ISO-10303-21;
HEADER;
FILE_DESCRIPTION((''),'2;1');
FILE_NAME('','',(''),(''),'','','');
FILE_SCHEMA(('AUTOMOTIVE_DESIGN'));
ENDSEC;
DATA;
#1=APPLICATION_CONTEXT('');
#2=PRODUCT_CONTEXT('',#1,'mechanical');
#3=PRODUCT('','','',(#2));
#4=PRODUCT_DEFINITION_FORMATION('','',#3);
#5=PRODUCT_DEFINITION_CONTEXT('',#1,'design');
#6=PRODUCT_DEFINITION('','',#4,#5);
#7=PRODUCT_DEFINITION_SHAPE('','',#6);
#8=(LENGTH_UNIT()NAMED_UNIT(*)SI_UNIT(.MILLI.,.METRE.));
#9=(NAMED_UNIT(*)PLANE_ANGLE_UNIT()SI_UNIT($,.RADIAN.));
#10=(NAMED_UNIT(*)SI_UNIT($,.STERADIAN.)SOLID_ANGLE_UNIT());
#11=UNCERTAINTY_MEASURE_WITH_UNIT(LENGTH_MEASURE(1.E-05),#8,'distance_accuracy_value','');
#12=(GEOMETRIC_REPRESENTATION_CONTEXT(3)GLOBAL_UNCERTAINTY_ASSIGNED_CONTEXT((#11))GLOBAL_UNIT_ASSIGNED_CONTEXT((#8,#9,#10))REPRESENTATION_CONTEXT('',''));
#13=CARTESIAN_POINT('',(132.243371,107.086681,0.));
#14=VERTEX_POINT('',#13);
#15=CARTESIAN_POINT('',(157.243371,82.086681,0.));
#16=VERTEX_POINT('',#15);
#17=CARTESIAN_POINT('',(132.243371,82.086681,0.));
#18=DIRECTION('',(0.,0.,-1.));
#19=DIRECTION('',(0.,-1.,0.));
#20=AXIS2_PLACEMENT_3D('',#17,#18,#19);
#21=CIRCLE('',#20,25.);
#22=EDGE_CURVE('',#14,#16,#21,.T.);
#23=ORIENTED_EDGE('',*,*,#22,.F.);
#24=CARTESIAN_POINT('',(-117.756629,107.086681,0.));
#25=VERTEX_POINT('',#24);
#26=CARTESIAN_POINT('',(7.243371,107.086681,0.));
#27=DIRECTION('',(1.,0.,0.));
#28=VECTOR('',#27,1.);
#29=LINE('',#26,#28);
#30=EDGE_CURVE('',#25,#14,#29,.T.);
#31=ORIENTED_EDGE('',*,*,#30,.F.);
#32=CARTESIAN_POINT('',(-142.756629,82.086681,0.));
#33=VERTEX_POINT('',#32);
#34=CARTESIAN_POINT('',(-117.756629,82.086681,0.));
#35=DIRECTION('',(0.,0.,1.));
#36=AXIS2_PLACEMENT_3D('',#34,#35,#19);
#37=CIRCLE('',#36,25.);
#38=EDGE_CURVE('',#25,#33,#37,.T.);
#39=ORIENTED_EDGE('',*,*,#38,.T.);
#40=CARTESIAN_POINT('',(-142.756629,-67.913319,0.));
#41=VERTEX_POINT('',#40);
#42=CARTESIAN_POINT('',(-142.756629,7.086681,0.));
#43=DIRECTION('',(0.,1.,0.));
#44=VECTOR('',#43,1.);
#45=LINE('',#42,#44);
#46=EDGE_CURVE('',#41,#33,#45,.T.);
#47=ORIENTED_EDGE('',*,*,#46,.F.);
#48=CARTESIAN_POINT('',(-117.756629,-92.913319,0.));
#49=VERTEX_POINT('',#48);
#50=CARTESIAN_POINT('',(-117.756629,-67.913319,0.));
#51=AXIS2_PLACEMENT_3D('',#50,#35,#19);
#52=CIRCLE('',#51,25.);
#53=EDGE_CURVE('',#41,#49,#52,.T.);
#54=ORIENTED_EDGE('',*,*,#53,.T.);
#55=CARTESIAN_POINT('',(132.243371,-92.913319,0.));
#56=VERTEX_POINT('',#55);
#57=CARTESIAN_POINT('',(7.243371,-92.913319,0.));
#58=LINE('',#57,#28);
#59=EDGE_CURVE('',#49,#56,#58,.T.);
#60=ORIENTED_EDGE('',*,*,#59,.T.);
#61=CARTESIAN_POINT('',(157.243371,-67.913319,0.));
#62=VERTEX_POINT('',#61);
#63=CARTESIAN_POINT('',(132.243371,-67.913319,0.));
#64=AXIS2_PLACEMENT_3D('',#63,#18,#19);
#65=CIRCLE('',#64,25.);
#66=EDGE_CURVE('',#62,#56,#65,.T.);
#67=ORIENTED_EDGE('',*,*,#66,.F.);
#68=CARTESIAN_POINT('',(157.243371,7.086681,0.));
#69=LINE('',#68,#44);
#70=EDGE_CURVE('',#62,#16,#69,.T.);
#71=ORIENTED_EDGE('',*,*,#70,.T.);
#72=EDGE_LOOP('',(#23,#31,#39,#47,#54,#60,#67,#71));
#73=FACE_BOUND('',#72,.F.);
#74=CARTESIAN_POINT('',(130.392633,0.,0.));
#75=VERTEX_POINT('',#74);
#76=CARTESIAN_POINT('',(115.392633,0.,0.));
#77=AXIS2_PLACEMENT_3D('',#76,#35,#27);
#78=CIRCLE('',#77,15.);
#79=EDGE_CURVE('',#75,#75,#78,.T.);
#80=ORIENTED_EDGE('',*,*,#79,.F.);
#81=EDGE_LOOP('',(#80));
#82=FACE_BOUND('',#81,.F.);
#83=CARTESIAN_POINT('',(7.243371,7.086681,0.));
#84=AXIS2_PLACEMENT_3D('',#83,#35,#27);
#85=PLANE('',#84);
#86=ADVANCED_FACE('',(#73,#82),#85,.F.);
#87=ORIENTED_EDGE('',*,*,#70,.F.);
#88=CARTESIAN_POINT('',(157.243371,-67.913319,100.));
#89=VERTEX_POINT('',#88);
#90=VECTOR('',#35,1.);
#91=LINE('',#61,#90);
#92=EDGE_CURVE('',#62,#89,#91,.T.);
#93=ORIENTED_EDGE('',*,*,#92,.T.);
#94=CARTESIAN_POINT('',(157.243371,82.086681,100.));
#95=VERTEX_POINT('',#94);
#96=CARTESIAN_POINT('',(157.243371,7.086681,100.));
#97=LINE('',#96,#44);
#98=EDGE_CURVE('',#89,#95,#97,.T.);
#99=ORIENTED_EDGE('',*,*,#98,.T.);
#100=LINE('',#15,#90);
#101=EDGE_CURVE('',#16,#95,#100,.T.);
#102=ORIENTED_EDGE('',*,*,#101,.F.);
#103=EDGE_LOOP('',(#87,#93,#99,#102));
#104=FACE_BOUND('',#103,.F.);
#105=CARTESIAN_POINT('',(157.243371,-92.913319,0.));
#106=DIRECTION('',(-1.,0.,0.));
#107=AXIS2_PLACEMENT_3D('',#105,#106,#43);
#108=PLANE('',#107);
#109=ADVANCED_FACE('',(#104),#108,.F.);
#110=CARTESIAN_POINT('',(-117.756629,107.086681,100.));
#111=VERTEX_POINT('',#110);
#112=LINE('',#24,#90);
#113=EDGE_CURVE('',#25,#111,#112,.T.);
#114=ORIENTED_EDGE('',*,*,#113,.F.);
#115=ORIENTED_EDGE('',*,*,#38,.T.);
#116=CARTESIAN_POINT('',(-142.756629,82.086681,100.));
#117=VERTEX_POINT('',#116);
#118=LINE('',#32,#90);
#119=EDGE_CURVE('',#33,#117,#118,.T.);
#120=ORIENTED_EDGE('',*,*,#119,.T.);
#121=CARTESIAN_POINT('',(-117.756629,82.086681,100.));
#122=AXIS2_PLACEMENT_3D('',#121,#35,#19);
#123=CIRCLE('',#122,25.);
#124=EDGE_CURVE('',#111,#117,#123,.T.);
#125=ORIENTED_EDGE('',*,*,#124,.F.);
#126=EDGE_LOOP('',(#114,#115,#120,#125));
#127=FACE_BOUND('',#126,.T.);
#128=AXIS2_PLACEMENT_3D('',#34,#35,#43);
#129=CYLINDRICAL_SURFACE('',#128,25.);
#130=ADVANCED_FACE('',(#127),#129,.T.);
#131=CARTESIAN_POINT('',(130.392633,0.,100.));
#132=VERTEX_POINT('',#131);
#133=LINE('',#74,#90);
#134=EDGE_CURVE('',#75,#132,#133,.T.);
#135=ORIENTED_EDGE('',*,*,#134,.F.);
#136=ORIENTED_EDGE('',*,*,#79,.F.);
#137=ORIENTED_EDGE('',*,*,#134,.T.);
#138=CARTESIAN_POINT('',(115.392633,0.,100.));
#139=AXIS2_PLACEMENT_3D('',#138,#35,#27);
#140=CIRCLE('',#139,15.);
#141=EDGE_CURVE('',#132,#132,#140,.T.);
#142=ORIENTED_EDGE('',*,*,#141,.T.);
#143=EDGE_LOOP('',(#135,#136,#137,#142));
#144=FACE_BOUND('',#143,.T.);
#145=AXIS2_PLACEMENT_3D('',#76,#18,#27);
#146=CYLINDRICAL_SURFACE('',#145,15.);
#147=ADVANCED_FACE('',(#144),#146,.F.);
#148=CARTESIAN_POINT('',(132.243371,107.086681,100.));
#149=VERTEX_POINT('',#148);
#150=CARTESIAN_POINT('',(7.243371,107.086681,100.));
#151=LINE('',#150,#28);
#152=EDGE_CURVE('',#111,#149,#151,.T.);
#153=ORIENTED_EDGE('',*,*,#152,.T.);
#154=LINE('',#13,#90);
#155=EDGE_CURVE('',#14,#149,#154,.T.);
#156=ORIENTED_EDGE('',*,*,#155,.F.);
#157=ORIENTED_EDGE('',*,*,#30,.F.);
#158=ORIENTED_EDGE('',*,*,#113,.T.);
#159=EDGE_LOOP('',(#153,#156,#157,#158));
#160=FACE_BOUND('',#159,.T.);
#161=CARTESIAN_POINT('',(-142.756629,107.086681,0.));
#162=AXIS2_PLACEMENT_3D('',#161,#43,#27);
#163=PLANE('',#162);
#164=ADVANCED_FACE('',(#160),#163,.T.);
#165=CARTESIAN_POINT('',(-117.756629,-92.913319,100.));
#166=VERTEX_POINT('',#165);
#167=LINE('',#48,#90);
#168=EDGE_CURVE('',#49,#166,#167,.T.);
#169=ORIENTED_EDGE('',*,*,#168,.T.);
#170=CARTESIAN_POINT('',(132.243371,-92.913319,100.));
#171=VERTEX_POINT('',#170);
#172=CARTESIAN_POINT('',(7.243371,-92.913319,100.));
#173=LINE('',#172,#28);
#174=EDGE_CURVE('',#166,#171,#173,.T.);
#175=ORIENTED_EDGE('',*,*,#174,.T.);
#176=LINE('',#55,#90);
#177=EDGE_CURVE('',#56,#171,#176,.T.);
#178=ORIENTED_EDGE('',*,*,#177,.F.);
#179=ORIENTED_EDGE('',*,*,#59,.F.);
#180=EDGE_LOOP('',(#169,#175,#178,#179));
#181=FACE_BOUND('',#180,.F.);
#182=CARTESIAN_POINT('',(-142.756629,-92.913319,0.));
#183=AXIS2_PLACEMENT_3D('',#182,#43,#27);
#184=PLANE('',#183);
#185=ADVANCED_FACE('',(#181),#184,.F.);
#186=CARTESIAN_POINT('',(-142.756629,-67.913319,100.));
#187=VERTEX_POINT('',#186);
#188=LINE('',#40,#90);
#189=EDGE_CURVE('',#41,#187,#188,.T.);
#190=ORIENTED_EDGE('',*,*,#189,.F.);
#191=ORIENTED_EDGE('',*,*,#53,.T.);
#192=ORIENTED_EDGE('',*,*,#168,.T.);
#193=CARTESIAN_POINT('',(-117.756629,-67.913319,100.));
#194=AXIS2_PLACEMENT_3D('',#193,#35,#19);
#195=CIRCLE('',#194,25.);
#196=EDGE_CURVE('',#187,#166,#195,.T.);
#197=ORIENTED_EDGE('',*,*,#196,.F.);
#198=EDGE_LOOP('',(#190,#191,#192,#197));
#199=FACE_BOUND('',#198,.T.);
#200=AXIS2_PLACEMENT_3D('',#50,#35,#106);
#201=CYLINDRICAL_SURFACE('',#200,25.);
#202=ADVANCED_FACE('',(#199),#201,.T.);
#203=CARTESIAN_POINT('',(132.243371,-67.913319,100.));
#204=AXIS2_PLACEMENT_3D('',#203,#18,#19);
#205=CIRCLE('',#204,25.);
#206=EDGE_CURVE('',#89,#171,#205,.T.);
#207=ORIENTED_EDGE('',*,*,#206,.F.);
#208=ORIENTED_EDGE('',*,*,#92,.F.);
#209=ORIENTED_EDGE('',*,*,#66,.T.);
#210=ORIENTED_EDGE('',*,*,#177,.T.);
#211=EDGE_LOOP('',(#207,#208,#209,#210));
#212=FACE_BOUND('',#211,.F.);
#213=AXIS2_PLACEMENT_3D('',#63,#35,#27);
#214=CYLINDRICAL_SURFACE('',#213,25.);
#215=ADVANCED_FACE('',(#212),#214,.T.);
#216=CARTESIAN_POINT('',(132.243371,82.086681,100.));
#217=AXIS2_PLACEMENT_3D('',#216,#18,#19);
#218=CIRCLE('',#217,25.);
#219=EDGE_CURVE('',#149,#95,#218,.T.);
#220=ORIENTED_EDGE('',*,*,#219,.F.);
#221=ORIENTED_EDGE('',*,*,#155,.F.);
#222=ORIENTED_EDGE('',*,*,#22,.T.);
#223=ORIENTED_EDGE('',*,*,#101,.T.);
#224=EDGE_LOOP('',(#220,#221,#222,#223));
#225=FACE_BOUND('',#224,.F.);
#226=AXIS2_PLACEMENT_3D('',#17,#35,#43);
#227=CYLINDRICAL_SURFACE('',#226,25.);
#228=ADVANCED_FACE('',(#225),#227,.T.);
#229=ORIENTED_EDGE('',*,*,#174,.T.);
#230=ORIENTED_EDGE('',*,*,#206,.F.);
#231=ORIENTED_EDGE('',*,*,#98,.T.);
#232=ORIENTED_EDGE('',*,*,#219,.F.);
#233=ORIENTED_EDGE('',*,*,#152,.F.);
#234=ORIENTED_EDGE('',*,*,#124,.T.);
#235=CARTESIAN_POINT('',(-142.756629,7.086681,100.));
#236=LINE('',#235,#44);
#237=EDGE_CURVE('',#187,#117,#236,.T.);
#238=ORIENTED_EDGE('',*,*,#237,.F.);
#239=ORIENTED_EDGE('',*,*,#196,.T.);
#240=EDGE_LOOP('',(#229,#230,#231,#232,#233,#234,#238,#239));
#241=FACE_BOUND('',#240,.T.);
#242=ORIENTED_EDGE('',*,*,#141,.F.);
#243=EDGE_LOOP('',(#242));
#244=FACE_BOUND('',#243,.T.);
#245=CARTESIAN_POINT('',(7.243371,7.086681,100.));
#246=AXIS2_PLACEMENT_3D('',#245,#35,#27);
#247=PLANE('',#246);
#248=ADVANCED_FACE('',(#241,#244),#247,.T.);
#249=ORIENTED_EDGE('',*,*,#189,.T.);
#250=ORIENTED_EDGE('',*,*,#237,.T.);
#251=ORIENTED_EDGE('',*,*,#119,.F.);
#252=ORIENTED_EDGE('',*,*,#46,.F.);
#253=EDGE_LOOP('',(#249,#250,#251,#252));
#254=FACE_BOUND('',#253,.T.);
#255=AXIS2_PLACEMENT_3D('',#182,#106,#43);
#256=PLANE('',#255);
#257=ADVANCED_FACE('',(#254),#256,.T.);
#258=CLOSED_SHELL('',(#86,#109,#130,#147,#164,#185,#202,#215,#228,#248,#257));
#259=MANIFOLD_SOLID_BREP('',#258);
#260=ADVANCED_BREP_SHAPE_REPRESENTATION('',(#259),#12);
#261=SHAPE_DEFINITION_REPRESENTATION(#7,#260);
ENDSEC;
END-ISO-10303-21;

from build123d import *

# Parameters (mm, degrees)
F0_W     = 300
F0_H     = 200
F0_R     = 15
F1_DEPTH = 100
F2_R     = 25
F3_R     = 25


with BuildPart() as f1:
    # F0 (on Top) → F1 (new body)
    with BuildSketch(Plane.XY):
        with Locations((7.243371, 7.086681)):
            Rectangle(F0_W, F0_H)
        with Locations((115.392633, 0)):
            Circle(F0_R, mode=Mode.SUBTRACT)
    extrude(amount=F1_DEPTH)

    # F2
    f2_edges = [f1.edges().sort_by_distance(p)[0] for p in [
        (157.243371, 107.086681, 50),
    ]]
    fillet(f2_edges, radius=F2_R)

    # F3
    f3_edges = [f1.edges().sort_by_distance(p)[0] for p in [
        (-142.756629, 107.086681, 50),
        (-142.756629, -92.913319, 50),
        (157.243371, -92.913319, 50),
    ]]
    fillet(f3_edges, radius=F3_R)


solid = f1.part
